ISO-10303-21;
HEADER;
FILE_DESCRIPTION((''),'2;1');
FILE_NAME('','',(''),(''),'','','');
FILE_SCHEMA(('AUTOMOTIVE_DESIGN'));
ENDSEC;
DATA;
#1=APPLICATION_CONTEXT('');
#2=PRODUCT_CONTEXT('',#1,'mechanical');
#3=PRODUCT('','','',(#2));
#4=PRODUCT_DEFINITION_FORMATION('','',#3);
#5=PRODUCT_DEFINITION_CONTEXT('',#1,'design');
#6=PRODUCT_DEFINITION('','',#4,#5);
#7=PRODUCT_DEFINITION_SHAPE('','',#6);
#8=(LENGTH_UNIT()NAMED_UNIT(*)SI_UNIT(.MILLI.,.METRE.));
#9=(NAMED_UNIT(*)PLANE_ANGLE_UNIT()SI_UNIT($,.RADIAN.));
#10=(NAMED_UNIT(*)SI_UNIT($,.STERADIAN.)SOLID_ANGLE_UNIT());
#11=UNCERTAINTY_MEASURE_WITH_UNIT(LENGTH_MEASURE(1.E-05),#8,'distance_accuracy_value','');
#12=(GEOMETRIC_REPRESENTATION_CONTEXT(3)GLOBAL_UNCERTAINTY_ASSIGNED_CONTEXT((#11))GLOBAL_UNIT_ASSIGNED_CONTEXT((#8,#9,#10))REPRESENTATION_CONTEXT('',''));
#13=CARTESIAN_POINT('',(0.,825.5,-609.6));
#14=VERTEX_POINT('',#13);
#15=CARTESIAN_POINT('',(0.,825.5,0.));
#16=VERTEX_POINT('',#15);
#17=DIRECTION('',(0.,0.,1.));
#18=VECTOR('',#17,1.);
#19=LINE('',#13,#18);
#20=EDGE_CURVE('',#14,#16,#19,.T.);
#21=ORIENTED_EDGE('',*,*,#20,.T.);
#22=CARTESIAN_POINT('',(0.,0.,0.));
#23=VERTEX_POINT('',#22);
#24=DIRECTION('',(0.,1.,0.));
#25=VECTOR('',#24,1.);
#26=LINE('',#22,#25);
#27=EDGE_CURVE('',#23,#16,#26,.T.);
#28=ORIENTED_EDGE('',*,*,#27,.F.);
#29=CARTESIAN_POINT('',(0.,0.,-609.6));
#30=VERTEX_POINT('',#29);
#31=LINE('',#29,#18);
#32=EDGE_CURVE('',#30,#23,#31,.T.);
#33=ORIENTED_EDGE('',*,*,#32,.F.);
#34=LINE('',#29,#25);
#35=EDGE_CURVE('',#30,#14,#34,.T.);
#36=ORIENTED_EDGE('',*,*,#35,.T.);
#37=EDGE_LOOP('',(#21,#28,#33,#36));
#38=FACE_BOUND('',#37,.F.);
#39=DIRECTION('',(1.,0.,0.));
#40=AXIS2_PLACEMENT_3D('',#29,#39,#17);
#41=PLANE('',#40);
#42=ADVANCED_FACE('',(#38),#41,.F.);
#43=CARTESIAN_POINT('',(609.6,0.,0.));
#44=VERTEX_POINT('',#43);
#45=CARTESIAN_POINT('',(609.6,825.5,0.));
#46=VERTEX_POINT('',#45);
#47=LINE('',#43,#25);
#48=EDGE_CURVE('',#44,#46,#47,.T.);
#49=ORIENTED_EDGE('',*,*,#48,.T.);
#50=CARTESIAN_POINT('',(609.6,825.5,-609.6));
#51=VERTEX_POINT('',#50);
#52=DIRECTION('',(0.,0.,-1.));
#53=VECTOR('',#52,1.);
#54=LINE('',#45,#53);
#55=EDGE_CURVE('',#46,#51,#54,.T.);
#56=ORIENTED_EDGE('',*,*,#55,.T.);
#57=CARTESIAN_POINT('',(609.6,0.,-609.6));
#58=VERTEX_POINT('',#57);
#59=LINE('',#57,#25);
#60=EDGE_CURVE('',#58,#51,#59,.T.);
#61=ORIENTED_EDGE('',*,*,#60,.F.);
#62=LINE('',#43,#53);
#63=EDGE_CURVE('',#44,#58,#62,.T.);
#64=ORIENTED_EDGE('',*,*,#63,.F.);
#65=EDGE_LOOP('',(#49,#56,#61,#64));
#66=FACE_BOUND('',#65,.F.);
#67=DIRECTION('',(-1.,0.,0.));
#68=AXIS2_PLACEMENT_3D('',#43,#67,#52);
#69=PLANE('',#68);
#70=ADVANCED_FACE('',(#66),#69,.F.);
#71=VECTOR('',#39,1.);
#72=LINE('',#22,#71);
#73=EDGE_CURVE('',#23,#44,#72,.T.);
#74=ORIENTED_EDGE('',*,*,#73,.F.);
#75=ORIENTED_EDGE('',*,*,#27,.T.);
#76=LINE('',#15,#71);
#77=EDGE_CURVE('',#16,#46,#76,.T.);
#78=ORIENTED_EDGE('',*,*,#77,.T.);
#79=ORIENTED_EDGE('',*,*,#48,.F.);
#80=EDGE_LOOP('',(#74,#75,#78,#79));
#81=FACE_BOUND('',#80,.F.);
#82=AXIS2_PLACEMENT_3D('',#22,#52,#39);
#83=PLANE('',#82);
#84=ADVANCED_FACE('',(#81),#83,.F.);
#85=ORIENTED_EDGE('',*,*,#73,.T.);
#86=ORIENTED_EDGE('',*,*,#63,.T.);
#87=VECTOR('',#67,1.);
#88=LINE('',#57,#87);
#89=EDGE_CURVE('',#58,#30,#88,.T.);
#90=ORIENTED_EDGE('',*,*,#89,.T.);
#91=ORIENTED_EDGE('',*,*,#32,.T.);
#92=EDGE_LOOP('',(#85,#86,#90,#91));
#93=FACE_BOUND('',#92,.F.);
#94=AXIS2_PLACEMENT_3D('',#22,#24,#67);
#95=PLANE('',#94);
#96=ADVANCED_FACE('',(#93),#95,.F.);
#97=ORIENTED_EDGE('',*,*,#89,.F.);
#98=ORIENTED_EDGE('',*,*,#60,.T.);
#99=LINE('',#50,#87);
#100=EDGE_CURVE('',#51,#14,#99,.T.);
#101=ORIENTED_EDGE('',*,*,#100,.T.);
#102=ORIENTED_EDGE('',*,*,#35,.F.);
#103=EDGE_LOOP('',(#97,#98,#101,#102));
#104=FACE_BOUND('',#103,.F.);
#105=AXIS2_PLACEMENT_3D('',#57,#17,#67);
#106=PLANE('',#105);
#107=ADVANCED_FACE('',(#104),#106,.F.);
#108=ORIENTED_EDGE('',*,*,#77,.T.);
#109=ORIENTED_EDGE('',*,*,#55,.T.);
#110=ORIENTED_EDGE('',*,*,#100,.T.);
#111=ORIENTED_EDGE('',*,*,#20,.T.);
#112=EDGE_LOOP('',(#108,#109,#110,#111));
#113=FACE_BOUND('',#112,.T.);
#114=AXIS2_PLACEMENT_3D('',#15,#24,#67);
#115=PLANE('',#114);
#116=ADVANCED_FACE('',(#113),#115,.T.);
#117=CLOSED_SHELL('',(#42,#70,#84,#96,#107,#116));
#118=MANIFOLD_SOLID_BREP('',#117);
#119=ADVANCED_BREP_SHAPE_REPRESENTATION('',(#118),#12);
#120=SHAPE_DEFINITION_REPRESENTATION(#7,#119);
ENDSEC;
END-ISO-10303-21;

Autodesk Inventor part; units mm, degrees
ref_plane "YZ Plane" through (0, 0, 0) normal (1, 0, 0) x (0, 1, 0)
ref_plane "XZ Plane" through (0, 0, 0) normal (0, 1, 0) x (-1, 0, 0)
ref_plane "XY Plane" through (0, 0, 0) normal (0, 0, 1) x (1, 0, 0)
sketch "Sketch1" plane through (0, 0, 0) normal (0, 1, 0) x (-1, 0, 0)
  line L0 (0, 0) -> (-609.6, 0)
  line L1 (-609.6, 0) -> (-609.6, -609.6)
  line L2 (-609.6, -609.6) -> (0, -609.6)
  line L3 (0, -609.6) -> (0, 0)
  dimension "d6" = 609.6
  dimension "d8" = 609.6
extrude "Extrusion1" add sketch "Sketch1" along normal blind 825.5
properties part number "Dishwasher" material "Steel"
